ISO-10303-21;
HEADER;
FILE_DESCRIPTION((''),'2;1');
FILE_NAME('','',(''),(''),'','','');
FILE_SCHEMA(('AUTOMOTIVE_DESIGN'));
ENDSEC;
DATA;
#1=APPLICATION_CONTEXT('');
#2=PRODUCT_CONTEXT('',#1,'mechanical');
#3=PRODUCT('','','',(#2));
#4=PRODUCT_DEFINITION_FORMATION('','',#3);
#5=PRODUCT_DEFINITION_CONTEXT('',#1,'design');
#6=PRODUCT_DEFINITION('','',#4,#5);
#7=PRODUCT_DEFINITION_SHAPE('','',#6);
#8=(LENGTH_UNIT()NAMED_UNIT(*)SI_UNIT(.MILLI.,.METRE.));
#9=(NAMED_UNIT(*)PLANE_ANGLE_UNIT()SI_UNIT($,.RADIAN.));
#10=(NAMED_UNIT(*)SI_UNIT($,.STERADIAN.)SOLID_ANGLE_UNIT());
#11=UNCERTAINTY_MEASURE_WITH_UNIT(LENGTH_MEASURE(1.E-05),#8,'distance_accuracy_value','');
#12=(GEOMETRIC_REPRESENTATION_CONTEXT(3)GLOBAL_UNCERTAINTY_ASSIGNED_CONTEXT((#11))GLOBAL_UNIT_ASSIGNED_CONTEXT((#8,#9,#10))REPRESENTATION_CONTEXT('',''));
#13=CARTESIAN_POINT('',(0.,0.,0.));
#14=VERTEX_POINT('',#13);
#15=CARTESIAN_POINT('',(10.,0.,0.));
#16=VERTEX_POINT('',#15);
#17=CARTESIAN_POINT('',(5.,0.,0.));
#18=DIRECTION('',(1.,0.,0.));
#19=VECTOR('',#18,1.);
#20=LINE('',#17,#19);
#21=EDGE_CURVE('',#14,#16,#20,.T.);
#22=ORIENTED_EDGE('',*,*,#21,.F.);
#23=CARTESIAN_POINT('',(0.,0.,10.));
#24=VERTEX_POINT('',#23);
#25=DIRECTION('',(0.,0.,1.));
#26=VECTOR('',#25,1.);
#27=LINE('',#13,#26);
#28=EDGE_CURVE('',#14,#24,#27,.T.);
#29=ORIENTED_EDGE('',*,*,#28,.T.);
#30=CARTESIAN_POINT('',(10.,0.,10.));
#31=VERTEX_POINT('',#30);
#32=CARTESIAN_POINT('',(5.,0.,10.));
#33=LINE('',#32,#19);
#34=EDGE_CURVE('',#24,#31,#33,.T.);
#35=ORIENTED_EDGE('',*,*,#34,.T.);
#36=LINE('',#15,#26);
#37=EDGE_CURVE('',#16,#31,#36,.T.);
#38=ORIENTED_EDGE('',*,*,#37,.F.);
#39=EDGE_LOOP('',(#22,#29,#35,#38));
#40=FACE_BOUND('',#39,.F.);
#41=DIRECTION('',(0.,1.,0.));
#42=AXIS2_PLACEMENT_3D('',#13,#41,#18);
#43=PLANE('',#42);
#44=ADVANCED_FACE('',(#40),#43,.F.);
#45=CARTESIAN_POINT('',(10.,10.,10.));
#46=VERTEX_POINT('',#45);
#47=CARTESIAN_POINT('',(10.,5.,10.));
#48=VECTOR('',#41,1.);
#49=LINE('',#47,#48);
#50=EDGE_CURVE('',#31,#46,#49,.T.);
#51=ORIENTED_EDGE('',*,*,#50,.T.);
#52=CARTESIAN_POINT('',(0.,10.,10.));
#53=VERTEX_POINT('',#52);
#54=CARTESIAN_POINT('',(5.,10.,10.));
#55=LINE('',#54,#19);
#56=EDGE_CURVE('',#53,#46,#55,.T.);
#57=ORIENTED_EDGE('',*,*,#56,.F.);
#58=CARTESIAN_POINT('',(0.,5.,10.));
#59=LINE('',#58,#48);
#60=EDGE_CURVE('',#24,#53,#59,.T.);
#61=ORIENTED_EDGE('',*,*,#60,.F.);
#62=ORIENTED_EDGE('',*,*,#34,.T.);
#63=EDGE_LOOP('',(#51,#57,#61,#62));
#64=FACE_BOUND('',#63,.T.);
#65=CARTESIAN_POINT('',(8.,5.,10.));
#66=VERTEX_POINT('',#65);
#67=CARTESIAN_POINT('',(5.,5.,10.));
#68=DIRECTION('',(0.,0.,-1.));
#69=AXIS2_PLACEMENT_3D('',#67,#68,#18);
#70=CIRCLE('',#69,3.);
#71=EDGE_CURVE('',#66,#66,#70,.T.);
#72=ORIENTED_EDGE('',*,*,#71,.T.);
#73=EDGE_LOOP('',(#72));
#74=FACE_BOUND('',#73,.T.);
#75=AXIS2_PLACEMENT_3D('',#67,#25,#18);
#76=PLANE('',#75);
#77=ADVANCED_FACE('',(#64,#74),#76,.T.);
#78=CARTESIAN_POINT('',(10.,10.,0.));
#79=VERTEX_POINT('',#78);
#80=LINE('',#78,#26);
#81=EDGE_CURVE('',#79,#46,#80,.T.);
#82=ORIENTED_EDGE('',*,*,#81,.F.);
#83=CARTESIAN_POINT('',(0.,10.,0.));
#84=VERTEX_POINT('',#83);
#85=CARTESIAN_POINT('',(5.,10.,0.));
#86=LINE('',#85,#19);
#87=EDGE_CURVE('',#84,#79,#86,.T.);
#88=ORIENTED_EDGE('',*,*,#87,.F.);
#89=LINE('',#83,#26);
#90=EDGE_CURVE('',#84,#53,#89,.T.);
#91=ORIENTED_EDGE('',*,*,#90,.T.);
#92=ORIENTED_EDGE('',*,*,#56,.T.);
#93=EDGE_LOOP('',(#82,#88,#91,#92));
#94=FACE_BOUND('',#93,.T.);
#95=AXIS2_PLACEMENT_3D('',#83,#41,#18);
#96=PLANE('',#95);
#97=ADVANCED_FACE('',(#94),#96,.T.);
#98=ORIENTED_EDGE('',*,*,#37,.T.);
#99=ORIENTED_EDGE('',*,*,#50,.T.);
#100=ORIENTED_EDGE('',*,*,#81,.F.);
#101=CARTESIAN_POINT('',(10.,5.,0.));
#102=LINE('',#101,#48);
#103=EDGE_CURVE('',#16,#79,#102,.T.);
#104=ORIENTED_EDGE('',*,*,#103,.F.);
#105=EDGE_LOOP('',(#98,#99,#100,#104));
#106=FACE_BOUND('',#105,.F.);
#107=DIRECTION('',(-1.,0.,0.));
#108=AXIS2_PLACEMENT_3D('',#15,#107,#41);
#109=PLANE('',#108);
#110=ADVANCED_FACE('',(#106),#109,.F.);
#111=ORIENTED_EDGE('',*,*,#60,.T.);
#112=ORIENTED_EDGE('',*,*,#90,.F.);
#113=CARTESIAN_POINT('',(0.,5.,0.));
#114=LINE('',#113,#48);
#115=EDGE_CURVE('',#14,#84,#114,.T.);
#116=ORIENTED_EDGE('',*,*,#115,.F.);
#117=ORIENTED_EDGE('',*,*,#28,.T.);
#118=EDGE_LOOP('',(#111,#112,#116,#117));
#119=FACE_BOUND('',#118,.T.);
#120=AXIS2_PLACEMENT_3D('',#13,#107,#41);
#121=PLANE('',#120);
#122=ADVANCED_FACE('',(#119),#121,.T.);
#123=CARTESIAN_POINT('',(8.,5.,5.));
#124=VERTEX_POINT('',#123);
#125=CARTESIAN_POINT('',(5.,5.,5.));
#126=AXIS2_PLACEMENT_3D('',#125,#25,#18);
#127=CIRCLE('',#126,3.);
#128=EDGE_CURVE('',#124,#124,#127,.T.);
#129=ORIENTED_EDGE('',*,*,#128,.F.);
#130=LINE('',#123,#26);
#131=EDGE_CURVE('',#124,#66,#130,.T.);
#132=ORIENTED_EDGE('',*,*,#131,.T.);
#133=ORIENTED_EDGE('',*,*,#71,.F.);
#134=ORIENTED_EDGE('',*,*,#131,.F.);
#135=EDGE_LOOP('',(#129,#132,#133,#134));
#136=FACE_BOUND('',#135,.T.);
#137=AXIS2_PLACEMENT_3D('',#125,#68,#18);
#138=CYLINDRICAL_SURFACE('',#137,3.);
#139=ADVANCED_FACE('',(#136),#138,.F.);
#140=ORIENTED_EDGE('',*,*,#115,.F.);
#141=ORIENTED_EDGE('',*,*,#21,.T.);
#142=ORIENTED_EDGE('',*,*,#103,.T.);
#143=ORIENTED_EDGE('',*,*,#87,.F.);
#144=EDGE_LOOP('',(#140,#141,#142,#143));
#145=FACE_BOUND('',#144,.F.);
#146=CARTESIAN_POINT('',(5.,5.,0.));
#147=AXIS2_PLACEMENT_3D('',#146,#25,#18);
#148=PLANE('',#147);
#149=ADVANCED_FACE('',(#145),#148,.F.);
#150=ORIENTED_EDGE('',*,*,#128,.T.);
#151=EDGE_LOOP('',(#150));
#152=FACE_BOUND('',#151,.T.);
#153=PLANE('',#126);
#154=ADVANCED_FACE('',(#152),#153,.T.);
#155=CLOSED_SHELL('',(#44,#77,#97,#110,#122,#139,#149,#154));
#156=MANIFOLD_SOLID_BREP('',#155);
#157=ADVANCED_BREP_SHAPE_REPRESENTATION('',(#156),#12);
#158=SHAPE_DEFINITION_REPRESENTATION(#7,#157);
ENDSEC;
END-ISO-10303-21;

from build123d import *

# Parameters (mm, degrees)
CYLINDER_R     = 3
CYLINDER_DEPTH = 10
BOX_W          = 10
BOX_H          = 10
BOX_DEPTH      = 10


with BuildPart() as cylinder:
    # Cylinder → Cylinder (new body)
    with BuildSketch(Plane(origin=(5, 5, 5), x_dir=(1, 0, 0), z_dir=(0, 0, 1))):
        Circle(CYLINDER_R)
    extrude(amount=CYLINDER_DEPTH)


with BuildPart() as cut:
    # Box → Box (new body)
    with BuildSketch(Plane.XY):
        with Locations((5, 5)):
            Rectangle(BOX_W, BOX_H)
    extrude(amount=BOX_DEPTH)

    # Cut: cut Cylinder
    add(cylinder.part, mode=Mode.SUBTRACT)


solid = cut.part
